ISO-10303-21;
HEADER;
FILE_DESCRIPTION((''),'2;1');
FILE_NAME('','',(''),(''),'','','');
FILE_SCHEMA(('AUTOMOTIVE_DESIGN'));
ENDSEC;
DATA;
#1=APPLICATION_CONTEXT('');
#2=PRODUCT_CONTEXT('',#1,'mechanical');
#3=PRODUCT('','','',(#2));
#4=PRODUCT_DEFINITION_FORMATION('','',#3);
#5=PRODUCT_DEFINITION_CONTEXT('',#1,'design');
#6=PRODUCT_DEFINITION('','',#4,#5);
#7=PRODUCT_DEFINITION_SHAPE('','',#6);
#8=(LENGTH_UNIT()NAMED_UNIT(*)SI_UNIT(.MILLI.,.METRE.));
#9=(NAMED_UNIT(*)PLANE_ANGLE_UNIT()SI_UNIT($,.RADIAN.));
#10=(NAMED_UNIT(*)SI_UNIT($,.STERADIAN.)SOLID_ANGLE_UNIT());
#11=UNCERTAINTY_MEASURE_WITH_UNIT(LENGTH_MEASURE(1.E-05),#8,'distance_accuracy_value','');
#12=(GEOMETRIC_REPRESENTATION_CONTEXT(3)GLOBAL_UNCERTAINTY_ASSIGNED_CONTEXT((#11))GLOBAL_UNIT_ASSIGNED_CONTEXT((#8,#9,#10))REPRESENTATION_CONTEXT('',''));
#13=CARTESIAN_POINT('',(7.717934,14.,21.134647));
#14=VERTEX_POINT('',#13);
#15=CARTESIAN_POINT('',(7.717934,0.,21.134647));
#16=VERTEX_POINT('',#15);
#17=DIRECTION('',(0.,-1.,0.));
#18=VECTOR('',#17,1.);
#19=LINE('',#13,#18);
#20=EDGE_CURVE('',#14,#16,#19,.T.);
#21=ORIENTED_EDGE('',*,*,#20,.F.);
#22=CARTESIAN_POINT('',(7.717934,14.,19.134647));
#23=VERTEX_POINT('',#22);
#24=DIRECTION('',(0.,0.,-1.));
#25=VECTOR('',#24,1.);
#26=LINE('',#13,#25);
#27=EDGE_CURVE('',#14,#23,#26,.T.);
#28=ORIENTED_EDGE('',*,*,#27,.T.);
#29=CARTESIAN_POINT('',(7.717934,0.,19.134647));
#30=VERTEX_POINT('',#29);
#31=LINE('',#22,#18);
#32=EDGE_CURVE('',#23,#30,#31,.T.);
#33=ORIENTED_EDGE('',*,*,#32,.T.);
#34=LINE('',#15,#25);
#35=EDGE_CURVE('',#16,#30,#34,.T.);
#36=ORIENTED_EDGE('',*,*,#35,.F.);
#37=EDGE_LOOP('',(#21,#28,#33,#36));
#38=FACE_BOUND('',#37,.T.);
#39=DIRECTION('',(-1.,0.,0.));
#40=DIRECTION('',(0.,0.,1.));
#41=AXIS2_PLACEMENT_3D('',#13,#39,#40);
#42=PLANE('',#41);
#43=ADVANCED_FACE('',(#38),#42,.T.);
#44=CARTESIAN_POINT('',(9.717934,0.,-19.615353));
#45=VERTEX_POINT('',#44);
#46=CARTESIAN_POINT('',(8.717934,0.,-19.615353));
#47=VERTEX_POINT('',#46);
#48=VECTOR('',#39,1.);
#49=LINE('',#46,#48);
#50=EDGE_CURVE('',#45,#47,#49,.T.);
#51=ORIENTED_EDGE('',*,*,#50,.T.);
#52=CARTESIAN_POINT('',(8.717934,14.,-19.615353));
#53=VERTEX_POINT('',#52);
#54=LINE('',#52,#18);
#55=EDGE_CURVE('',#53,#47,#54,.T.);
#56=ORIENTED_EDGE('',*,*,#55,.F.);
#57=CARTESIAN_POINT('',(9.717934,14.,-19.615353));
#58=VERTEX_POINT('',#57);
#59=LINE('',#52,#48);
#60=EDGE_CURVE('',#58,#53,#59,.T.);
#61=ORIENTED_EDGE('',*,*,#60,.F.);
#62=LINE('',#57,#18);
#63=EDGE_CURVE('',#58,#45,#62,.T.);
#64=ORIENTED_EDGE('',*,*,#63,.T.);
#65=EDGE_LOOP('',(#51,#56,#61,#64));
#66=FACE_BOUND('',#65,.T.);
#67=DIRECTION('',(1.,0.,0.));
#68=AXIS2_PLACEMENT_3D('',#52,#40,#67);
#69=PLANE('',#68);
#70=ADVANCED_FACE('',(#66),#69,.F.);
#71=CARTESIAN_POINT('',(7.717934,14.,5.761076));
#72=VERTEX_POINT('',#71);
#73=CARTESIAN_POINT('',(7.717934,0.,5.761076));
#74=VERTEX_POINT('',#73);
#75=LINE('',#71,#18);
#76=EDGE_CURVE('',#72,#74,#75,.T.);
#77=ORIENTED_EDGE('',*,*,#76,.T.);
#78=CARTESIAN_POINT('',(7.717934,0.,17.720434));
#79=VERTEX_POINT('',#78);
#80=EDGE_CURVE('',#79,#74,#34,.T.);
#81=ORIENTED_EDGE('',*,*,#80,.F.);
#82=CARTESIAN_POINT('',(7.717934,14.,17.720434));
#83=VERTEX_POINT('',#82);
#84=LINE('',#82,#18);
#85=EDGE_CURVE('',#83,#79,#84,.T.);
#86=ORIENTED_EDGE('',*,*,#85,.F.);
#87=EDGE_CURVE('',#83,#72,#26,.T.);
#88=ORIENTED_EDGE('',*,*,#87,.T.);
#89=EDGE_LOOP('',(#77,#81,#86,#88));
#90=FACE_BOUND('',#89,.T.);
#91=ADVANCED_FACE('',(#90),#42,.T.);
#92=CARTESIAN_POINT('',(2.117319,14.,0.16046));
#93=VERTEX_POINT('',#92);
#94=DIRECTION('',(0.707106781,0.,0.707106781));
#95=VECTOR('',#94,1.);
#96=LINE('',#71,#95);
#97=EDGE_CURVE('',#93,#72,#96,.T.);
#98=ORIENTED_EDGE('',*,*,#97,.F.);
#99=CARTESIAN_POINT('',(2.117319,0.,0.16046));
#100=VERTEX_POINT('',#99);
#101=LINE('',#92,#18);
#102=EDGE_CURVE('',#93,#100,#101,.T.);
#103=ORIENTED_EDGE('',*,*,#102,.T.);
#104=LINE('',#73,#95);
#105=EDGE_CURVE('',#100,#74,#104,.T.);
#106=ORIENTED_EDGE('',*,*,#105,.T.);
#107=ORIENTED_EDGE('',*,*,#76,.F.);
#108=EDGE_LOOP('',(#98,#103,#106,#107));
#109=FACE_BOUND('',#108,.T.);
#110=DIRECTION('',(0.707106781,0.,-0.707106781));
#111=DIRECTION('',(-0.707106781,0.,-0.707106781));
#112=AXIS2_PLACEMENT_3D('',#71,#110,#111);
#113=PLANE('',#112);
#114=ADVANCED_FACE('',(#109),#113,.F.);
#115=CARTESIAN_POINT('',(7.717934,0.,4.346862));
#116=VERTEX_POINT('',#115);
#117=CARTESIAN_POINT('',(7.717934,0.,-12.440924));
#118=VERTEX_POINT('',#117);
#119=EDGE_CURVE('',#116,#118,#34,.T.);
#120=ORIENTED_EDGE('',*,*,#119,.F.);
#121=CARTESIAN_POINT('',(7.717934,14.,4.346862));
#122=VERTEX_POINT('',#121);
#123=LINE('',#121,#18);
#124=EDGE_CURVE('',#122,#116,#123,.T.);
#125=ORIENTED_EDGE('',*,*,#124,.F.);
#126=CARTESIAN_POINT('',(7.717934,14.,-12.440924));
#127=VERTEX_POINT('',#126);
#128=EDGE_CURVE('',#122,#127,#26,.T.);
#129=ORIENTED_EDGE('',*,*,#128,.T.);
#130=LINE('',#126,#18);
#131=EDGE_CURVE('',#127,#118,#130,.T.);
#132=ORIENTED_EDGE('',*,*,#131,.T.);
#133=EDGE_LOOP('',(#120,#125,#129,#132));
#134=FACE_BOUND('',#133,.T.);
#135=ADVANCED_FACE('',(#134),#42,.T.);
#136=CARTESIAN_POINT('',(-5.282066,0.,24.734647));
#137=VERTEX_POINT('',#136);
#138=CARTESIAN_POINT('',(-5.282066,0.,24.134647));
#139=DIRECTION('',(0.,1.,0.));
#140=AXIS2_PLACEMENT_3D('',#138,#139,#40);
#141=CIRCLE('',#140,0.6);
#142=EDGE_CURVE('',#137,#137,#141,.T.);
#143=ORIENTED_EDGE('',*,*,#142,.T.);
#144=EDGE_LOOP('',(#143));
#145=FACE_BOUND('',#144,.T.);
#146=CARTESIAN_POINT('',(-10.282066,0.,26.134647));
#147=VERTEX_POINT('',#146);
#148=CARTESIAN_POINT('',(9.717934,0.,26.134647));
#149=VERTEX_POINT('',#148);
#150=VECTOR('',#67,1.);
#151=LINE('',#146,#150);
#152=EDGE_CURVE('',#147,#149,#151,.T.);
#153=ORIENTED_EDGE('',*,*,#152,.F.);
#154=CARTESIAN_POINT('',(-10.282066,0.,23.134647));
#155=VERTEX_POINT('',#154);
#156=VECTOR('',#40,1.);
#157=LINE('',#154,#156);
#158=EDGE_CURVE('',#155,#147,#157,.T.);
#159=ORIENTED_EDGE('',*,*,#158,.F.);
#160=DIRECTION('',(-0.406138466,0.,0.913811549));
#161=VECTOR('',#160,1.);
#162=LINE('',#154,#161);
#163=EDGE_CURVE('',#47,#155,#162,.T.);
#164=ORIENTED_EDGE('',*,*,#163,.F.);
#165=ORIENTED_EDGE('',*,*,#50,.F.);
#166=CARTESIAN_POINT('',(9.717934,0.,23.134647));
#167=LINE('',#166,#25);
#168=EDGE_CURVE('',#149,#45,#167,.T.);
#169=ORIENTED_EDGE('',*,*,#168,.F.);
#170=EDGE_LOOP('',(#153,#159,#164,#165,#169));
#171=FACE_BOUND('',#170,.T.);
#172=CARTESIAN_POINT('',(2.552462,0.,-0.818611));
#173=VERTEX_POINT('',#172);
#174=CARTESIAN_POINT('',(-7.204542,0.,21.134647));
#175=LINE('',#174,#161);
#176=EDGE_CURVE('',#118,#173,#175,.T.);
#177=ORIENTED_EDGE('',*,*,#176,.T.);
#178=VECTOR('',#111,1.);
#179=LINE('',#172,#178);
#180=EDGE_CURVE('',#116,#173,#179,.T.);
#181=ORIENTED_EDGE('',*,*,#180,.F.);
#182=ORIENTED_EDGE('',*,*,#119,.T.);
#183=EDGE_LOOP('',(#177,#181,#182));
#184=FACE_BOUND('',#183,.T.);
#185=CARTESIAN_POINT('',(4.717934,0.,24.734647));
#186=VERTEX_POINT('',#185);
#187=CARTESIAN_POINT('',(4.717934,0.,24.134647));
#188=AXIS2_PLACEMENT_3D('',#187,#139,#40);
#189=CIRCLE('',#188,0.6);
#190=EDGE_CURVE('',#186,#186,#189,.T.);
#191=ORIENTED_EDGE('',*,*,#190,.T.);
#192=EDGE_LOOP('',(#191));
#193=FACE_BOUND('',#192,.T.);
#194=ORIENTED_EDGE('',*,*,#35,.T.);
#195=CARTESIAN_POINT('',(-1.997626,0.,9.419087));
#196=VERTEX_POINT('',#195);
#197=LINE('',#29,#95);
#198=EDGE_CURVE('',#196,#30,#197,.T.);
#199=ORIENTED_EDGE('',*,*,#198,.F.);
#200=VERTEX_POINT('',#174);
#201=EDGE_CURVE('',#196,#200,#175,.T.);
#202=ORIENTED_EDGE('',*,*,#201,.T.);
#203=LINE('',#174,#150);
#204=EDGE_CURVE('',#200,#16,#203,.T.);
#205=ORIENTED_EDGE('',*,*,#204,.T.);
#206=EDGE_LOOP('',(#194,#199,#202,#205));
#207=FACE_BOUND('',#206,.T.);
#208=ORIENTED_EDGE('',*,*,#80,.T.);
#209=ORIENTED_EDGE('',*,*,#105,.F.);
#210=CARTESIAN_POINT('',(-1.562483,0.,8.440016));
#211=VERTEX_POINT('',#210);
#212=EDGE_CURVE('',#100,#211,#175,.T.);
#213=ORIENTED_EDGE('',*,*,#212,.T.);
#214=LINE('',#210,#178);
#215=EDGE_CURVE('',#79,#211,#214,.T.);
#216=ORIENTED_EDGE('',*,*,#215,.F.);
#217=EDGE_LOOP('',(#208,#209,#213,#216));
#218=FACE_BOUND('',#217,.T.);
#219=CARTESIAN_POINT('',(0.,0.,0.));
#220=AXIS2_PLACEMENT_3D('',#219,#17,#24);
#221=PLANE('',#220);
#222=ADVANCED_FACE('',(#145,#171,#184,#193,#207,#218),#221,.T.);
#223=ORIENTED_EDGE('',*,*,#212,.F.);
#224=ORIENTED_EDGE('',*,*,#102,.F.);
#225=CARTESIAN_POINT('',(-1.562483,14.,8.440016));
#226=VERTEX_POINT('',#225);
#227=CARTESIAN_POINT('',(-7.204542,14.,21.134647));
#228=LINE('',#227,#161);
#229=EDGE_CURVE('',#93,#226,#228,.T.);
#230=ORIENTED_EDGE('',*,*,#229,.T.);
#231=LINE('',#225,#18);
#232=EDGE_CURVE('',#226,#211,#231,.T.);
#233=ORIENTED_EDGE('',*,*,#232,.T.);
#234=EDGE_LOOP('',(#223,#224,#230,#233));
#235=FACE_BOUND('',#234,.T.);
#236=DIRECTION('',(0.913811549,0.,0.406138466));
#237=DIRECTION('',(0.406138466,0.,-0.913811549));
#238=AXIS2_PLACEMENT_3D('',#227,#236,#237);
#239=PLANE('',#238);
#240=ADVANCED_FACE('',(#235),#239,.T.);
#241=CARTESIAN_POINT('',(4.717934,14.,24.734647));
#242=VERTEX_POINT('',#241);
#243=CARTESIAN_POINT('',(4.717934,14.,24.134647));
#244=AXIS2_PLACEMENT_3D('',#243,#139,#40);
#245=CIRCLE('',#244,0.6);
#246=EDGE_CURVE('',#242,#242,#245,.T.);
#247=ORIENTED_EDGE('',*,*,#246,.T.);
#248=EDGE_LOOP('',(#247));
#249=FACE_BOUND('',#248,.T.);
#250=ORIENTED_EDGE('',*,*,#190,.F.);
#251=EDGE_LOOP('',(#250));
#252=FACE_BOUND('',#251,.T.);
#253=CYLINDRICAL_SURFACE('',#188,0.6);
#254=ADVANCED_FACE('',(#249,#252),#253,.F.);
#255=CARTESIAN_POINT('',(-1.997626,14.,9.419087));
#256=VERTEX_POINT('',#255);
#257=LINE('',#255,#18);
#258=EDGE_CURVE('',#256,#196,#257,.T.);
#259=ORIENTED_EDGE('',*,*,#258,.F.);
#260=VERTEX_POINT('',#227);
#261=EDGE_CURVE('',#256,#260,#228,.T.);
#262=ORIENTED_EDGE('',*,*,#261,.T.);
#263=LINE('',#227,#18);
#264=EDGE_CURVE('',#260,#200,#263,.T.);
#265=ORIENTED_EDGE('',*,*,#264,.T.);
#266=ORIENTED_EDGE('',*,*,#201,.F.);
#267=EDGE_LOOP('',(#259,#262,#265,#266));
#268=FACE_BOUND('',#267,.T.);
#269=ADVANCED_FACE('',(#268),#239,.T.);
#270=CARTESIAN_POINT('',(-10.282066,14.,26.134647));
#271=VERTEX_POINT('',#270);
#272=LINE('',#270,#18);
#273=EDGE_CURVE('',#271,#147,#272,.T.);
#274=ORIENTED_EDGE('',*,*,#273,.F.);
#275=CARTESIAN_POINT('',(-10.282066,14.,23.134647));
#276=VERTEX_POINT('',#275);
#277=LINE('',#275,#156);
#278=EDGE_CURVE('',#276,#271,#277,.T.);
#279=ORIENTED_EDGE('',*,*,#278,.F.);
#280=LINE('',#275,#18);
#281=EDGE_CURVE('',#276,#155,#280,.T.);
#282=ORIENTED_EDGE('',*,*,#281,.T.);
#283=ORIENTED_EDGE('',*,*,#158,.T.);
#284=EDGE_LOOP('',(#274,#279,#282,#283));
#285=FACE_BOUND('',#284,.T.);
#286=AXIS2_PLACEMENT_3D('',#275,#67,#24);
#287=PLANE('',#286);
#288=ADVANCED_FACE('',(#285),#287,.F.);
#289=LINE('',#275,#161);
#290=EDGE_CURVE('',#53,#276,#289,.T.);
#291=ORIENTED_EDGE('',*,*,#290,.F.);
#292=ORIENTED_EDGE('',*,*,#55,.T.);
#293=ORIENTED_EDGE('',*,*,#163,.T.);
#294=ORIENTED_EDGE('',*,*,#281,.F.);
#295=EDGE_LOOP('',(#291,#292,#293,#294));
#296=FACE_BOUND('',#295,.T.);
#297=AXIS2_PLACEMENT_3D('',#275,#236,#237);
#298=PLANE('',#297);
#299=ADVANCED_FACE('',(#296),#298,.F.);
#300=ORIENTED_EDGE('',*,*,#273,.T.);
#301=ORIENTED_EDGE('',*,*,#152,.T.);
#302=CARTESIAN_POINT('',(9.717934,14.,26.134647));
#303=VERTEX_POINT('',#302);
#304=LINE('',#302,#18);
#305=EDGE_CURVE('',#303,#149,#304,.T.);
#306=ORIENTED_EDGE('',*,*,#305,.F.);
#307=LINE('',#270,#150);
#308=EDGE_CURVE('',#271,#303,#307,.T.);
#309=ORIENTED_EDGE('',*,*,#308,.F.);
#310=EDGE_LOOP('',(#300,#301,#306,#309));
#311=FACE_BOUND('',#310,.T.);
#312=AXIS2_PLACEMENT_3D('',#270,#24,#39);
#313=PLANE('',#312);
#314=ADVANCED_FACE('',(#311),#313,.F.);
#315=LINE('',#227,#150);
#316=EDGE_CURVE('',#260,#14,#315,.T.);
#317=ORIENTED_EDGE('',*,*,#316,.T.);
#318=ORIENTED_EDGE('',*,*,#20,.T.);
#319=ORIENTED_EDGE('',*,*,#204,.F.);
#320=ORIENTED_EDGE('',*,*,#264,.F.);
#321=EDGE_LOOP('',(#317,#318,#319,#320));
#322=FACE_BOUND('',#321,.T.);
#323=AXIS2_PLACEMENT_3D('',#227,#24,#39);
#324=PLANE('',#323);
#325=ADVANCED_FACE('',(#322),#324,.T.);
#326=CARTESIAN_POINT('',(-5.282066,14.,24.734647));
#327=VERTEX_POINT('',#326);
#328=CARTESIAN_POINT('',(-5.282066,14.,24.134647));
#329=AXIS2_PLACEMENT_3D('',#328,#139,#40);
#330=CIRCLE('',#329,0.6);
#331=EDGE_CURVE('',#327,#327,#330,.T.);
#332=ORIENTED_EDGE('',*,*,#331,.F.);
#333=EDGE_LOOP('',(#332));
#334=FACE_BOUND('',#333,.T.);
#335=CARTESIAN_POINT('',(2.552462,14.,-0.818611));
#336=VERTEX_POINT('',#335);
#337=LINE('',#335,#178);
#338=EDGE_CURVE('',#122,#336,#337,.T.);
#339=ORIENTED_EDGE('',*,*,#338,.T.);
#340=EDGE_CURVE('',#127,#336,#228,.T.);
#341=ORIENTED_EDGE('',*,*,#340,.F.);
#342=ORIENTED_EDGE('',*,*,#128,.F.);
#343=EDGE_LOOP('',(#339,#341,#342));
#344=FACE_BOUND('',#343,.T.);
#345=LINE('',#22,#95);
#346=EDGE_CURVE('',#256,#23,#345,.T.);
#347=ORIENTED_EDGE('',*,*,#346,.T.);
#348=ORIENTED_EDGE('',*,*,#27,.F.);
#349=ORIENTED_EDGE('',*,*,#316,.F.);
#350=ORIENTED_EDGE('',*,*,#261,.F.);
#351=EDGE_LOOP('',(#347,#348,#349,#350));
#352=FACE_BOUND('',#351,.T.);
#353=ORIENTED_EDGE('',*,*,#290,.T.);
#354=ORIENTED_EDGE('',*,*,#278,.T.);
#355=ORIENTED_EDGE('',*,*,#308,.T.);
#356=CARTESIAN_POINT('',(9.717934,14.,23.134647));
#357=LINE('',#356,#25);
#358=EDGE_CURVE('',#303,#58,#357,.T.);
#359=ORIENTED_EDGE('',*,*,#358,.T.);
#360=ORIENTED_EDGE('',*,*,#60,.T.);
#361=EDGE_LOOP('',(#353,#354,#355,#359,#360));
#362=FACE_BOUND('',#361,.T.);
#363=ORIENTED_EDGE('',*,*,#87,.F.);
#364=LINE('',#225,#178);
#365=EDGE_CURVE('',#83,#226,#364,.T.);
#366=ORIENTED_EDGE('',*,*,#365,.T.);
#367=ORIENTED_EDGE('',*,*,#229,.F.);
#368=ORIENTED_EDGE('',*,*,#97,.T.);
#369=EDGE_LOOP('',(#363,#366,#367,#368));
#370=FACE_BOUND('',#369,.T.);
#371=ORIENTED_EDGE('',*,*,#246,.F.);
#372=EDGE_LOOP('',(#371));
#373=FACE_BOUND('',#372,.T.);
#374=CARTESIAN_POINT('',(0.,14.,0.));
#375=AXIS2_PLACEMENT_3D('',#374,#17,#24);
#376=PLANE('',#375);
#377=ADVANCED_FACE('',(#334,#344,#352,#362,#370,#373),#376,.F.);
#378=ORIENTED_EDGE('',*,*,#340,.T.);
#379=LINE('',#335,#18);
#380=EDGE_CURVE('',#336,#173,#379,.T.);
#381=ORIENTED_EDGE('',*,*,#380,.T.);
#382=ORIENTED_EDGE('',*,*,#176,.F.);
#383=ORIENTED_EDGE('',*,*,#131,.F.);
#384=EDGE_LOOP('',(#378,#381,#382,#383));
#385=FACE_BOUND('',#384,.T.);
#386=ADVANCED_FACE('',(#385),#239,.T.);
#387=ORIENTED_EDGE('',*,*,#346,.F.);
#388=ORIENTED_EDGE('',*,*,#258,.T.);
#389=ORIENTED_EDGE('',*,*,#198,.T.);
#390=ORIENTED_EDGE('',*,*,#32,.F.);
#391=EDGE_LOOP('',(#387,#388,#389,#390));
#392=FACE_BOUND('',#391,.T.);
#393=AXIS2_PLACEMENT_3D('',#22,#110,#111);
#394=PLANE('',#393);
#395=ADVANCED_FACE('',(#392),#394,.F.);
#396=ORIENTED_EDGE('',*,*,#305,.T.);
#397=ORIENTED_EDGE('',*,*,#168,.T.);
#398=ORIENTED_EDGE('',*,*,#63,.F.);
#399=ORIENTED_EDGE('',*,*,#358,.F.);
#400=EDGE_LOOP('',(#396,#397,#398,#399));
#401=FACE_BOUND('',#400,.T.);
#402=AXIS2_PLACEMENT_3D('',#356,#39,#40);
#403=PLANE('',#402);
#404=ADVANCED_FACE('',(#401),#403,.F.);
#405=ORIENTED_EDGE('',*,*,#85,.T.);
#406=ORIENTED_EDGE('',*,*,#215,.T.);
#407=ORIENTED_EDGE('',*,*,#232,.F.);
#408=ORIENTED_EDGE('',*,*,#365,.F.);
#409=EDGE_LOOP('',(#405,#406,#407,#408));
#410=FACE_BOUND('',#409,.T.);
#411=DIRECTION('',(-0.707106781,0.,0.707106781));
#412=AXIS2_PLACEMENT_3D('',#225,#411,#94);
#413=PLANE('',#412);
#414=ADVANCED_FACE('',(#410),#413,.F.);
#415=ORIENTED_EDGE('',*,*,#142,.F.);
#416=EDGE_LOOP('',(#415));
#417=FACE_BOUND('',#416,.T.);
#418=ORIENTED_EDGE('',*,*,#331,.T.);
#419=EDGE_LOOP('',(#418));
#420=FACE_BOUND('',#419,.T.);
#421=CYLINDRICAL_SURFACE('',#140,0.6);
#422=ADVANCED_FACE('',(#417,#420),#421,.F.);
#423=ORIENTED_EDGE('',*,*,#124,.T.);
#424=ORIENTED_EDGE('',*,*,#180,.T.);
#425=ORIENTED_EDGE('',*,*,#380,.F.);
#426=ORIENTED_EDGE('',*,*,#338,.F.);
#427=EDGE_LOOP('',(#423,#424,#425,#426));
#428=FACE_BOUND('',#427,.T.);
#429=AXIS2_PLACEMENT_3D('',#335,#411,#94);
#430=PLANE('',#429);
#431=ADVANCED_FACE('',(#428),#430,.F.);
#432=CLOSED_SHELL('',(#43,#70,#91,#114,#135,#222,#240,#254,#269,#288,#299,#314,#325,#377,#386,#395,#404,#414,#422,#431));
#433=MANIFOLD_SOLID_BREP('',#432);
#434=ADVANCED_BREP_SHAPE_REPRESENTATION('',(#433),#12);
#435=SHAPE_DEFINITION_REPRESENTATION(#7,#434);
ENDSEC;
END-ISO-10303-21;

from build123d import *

# Parameters (mm, degrees)
BOSS_EXTRUDE1_DEPTH   = 14
BOSS_EXTRUDE1_2_DEPTH = 14
BOSS_EXTRUDE2_DEPTH   = 14
SKETCH3_R             = 0.6
CUT_EXTRUDE1_DEPTH    = 15


with BuildPart() as part:
    # Sketch2 → Boss-Extrude1 (new body)
    with BuildSketch(Plane(origin=(0, 0, 0), x_dir=(1, 0, 0), z_dir=(0, 1, 0))):
        Polygon((7.717934448, -19.134647491), (-1.99762589, -9.419087153), (-1.562483255, -8.440016225), (7.717934448, -17.720433929), align=None)
    extrude(amount=BOSS_EXTRUDE1_DEPTH)



with BuildPart() as body_2:
    # Sketch2 → Boss-Extrude1 2 (new body)
    with BuildSketch(Plane(origin=(0, 0, 0), x_dir=(1, 0, 0), z_dir=(0, 1, 0))):
        Polygon((7.717934448, -5.761075504), (2.117319337, -0.160460393), (2.552461971, 0.818610535), (7.717934448, -4.346861942), align=None)
    extrude(amount=BOSS_EXTRUDE1_2_DEPTH)


with BuildPart() as part_1:
    add(part.part)

    add(body_2.part)  # Boss-Extrude2 merges body 2
    # Sketch1 → Boss-Extrude2 (add)
    with BuildSketch(Plane(origin=(0, 0, 0), x_dir=(1, 0, 0), z_dir=(0, 1, 0))):
        Polygon((-10.282065552, -23.134647491), (8.717934448, 19.615352509), (9.717934448, 19.615352509), (9.717934448, -23.134647491), (9.717934448, -26.134647491), (-10.282065552, -26.134647491), align=None)
        Polygon((7.717934448, -21.134647491), (7.717934448, 12.440923608), (-7.204541596, -21.134647491), align=None, mode=Mode.SUBTRACT)
    extrude(amount=BOSS_EXTRUDE2_DEPTH)

    # Sketch3 → Cut-Extrude1 (cut, through all)
    with BuildSketch(Plane(origin=(0, 14, 0), x_dir=(1, 0, 0), z_dir=(0, 1, 0))):
        with Locations((4.717934448, -24.134647491)):
            Circle(SKETCH3_R)
        with Locations((-5.282065552, -24.134647491)):
            Circle(SKETCH3_R)
    extrude(amount=-CUT_EXTRUDE1_DEPTH, mode=Mode.SUBTRACT)


solid = part_1.part
